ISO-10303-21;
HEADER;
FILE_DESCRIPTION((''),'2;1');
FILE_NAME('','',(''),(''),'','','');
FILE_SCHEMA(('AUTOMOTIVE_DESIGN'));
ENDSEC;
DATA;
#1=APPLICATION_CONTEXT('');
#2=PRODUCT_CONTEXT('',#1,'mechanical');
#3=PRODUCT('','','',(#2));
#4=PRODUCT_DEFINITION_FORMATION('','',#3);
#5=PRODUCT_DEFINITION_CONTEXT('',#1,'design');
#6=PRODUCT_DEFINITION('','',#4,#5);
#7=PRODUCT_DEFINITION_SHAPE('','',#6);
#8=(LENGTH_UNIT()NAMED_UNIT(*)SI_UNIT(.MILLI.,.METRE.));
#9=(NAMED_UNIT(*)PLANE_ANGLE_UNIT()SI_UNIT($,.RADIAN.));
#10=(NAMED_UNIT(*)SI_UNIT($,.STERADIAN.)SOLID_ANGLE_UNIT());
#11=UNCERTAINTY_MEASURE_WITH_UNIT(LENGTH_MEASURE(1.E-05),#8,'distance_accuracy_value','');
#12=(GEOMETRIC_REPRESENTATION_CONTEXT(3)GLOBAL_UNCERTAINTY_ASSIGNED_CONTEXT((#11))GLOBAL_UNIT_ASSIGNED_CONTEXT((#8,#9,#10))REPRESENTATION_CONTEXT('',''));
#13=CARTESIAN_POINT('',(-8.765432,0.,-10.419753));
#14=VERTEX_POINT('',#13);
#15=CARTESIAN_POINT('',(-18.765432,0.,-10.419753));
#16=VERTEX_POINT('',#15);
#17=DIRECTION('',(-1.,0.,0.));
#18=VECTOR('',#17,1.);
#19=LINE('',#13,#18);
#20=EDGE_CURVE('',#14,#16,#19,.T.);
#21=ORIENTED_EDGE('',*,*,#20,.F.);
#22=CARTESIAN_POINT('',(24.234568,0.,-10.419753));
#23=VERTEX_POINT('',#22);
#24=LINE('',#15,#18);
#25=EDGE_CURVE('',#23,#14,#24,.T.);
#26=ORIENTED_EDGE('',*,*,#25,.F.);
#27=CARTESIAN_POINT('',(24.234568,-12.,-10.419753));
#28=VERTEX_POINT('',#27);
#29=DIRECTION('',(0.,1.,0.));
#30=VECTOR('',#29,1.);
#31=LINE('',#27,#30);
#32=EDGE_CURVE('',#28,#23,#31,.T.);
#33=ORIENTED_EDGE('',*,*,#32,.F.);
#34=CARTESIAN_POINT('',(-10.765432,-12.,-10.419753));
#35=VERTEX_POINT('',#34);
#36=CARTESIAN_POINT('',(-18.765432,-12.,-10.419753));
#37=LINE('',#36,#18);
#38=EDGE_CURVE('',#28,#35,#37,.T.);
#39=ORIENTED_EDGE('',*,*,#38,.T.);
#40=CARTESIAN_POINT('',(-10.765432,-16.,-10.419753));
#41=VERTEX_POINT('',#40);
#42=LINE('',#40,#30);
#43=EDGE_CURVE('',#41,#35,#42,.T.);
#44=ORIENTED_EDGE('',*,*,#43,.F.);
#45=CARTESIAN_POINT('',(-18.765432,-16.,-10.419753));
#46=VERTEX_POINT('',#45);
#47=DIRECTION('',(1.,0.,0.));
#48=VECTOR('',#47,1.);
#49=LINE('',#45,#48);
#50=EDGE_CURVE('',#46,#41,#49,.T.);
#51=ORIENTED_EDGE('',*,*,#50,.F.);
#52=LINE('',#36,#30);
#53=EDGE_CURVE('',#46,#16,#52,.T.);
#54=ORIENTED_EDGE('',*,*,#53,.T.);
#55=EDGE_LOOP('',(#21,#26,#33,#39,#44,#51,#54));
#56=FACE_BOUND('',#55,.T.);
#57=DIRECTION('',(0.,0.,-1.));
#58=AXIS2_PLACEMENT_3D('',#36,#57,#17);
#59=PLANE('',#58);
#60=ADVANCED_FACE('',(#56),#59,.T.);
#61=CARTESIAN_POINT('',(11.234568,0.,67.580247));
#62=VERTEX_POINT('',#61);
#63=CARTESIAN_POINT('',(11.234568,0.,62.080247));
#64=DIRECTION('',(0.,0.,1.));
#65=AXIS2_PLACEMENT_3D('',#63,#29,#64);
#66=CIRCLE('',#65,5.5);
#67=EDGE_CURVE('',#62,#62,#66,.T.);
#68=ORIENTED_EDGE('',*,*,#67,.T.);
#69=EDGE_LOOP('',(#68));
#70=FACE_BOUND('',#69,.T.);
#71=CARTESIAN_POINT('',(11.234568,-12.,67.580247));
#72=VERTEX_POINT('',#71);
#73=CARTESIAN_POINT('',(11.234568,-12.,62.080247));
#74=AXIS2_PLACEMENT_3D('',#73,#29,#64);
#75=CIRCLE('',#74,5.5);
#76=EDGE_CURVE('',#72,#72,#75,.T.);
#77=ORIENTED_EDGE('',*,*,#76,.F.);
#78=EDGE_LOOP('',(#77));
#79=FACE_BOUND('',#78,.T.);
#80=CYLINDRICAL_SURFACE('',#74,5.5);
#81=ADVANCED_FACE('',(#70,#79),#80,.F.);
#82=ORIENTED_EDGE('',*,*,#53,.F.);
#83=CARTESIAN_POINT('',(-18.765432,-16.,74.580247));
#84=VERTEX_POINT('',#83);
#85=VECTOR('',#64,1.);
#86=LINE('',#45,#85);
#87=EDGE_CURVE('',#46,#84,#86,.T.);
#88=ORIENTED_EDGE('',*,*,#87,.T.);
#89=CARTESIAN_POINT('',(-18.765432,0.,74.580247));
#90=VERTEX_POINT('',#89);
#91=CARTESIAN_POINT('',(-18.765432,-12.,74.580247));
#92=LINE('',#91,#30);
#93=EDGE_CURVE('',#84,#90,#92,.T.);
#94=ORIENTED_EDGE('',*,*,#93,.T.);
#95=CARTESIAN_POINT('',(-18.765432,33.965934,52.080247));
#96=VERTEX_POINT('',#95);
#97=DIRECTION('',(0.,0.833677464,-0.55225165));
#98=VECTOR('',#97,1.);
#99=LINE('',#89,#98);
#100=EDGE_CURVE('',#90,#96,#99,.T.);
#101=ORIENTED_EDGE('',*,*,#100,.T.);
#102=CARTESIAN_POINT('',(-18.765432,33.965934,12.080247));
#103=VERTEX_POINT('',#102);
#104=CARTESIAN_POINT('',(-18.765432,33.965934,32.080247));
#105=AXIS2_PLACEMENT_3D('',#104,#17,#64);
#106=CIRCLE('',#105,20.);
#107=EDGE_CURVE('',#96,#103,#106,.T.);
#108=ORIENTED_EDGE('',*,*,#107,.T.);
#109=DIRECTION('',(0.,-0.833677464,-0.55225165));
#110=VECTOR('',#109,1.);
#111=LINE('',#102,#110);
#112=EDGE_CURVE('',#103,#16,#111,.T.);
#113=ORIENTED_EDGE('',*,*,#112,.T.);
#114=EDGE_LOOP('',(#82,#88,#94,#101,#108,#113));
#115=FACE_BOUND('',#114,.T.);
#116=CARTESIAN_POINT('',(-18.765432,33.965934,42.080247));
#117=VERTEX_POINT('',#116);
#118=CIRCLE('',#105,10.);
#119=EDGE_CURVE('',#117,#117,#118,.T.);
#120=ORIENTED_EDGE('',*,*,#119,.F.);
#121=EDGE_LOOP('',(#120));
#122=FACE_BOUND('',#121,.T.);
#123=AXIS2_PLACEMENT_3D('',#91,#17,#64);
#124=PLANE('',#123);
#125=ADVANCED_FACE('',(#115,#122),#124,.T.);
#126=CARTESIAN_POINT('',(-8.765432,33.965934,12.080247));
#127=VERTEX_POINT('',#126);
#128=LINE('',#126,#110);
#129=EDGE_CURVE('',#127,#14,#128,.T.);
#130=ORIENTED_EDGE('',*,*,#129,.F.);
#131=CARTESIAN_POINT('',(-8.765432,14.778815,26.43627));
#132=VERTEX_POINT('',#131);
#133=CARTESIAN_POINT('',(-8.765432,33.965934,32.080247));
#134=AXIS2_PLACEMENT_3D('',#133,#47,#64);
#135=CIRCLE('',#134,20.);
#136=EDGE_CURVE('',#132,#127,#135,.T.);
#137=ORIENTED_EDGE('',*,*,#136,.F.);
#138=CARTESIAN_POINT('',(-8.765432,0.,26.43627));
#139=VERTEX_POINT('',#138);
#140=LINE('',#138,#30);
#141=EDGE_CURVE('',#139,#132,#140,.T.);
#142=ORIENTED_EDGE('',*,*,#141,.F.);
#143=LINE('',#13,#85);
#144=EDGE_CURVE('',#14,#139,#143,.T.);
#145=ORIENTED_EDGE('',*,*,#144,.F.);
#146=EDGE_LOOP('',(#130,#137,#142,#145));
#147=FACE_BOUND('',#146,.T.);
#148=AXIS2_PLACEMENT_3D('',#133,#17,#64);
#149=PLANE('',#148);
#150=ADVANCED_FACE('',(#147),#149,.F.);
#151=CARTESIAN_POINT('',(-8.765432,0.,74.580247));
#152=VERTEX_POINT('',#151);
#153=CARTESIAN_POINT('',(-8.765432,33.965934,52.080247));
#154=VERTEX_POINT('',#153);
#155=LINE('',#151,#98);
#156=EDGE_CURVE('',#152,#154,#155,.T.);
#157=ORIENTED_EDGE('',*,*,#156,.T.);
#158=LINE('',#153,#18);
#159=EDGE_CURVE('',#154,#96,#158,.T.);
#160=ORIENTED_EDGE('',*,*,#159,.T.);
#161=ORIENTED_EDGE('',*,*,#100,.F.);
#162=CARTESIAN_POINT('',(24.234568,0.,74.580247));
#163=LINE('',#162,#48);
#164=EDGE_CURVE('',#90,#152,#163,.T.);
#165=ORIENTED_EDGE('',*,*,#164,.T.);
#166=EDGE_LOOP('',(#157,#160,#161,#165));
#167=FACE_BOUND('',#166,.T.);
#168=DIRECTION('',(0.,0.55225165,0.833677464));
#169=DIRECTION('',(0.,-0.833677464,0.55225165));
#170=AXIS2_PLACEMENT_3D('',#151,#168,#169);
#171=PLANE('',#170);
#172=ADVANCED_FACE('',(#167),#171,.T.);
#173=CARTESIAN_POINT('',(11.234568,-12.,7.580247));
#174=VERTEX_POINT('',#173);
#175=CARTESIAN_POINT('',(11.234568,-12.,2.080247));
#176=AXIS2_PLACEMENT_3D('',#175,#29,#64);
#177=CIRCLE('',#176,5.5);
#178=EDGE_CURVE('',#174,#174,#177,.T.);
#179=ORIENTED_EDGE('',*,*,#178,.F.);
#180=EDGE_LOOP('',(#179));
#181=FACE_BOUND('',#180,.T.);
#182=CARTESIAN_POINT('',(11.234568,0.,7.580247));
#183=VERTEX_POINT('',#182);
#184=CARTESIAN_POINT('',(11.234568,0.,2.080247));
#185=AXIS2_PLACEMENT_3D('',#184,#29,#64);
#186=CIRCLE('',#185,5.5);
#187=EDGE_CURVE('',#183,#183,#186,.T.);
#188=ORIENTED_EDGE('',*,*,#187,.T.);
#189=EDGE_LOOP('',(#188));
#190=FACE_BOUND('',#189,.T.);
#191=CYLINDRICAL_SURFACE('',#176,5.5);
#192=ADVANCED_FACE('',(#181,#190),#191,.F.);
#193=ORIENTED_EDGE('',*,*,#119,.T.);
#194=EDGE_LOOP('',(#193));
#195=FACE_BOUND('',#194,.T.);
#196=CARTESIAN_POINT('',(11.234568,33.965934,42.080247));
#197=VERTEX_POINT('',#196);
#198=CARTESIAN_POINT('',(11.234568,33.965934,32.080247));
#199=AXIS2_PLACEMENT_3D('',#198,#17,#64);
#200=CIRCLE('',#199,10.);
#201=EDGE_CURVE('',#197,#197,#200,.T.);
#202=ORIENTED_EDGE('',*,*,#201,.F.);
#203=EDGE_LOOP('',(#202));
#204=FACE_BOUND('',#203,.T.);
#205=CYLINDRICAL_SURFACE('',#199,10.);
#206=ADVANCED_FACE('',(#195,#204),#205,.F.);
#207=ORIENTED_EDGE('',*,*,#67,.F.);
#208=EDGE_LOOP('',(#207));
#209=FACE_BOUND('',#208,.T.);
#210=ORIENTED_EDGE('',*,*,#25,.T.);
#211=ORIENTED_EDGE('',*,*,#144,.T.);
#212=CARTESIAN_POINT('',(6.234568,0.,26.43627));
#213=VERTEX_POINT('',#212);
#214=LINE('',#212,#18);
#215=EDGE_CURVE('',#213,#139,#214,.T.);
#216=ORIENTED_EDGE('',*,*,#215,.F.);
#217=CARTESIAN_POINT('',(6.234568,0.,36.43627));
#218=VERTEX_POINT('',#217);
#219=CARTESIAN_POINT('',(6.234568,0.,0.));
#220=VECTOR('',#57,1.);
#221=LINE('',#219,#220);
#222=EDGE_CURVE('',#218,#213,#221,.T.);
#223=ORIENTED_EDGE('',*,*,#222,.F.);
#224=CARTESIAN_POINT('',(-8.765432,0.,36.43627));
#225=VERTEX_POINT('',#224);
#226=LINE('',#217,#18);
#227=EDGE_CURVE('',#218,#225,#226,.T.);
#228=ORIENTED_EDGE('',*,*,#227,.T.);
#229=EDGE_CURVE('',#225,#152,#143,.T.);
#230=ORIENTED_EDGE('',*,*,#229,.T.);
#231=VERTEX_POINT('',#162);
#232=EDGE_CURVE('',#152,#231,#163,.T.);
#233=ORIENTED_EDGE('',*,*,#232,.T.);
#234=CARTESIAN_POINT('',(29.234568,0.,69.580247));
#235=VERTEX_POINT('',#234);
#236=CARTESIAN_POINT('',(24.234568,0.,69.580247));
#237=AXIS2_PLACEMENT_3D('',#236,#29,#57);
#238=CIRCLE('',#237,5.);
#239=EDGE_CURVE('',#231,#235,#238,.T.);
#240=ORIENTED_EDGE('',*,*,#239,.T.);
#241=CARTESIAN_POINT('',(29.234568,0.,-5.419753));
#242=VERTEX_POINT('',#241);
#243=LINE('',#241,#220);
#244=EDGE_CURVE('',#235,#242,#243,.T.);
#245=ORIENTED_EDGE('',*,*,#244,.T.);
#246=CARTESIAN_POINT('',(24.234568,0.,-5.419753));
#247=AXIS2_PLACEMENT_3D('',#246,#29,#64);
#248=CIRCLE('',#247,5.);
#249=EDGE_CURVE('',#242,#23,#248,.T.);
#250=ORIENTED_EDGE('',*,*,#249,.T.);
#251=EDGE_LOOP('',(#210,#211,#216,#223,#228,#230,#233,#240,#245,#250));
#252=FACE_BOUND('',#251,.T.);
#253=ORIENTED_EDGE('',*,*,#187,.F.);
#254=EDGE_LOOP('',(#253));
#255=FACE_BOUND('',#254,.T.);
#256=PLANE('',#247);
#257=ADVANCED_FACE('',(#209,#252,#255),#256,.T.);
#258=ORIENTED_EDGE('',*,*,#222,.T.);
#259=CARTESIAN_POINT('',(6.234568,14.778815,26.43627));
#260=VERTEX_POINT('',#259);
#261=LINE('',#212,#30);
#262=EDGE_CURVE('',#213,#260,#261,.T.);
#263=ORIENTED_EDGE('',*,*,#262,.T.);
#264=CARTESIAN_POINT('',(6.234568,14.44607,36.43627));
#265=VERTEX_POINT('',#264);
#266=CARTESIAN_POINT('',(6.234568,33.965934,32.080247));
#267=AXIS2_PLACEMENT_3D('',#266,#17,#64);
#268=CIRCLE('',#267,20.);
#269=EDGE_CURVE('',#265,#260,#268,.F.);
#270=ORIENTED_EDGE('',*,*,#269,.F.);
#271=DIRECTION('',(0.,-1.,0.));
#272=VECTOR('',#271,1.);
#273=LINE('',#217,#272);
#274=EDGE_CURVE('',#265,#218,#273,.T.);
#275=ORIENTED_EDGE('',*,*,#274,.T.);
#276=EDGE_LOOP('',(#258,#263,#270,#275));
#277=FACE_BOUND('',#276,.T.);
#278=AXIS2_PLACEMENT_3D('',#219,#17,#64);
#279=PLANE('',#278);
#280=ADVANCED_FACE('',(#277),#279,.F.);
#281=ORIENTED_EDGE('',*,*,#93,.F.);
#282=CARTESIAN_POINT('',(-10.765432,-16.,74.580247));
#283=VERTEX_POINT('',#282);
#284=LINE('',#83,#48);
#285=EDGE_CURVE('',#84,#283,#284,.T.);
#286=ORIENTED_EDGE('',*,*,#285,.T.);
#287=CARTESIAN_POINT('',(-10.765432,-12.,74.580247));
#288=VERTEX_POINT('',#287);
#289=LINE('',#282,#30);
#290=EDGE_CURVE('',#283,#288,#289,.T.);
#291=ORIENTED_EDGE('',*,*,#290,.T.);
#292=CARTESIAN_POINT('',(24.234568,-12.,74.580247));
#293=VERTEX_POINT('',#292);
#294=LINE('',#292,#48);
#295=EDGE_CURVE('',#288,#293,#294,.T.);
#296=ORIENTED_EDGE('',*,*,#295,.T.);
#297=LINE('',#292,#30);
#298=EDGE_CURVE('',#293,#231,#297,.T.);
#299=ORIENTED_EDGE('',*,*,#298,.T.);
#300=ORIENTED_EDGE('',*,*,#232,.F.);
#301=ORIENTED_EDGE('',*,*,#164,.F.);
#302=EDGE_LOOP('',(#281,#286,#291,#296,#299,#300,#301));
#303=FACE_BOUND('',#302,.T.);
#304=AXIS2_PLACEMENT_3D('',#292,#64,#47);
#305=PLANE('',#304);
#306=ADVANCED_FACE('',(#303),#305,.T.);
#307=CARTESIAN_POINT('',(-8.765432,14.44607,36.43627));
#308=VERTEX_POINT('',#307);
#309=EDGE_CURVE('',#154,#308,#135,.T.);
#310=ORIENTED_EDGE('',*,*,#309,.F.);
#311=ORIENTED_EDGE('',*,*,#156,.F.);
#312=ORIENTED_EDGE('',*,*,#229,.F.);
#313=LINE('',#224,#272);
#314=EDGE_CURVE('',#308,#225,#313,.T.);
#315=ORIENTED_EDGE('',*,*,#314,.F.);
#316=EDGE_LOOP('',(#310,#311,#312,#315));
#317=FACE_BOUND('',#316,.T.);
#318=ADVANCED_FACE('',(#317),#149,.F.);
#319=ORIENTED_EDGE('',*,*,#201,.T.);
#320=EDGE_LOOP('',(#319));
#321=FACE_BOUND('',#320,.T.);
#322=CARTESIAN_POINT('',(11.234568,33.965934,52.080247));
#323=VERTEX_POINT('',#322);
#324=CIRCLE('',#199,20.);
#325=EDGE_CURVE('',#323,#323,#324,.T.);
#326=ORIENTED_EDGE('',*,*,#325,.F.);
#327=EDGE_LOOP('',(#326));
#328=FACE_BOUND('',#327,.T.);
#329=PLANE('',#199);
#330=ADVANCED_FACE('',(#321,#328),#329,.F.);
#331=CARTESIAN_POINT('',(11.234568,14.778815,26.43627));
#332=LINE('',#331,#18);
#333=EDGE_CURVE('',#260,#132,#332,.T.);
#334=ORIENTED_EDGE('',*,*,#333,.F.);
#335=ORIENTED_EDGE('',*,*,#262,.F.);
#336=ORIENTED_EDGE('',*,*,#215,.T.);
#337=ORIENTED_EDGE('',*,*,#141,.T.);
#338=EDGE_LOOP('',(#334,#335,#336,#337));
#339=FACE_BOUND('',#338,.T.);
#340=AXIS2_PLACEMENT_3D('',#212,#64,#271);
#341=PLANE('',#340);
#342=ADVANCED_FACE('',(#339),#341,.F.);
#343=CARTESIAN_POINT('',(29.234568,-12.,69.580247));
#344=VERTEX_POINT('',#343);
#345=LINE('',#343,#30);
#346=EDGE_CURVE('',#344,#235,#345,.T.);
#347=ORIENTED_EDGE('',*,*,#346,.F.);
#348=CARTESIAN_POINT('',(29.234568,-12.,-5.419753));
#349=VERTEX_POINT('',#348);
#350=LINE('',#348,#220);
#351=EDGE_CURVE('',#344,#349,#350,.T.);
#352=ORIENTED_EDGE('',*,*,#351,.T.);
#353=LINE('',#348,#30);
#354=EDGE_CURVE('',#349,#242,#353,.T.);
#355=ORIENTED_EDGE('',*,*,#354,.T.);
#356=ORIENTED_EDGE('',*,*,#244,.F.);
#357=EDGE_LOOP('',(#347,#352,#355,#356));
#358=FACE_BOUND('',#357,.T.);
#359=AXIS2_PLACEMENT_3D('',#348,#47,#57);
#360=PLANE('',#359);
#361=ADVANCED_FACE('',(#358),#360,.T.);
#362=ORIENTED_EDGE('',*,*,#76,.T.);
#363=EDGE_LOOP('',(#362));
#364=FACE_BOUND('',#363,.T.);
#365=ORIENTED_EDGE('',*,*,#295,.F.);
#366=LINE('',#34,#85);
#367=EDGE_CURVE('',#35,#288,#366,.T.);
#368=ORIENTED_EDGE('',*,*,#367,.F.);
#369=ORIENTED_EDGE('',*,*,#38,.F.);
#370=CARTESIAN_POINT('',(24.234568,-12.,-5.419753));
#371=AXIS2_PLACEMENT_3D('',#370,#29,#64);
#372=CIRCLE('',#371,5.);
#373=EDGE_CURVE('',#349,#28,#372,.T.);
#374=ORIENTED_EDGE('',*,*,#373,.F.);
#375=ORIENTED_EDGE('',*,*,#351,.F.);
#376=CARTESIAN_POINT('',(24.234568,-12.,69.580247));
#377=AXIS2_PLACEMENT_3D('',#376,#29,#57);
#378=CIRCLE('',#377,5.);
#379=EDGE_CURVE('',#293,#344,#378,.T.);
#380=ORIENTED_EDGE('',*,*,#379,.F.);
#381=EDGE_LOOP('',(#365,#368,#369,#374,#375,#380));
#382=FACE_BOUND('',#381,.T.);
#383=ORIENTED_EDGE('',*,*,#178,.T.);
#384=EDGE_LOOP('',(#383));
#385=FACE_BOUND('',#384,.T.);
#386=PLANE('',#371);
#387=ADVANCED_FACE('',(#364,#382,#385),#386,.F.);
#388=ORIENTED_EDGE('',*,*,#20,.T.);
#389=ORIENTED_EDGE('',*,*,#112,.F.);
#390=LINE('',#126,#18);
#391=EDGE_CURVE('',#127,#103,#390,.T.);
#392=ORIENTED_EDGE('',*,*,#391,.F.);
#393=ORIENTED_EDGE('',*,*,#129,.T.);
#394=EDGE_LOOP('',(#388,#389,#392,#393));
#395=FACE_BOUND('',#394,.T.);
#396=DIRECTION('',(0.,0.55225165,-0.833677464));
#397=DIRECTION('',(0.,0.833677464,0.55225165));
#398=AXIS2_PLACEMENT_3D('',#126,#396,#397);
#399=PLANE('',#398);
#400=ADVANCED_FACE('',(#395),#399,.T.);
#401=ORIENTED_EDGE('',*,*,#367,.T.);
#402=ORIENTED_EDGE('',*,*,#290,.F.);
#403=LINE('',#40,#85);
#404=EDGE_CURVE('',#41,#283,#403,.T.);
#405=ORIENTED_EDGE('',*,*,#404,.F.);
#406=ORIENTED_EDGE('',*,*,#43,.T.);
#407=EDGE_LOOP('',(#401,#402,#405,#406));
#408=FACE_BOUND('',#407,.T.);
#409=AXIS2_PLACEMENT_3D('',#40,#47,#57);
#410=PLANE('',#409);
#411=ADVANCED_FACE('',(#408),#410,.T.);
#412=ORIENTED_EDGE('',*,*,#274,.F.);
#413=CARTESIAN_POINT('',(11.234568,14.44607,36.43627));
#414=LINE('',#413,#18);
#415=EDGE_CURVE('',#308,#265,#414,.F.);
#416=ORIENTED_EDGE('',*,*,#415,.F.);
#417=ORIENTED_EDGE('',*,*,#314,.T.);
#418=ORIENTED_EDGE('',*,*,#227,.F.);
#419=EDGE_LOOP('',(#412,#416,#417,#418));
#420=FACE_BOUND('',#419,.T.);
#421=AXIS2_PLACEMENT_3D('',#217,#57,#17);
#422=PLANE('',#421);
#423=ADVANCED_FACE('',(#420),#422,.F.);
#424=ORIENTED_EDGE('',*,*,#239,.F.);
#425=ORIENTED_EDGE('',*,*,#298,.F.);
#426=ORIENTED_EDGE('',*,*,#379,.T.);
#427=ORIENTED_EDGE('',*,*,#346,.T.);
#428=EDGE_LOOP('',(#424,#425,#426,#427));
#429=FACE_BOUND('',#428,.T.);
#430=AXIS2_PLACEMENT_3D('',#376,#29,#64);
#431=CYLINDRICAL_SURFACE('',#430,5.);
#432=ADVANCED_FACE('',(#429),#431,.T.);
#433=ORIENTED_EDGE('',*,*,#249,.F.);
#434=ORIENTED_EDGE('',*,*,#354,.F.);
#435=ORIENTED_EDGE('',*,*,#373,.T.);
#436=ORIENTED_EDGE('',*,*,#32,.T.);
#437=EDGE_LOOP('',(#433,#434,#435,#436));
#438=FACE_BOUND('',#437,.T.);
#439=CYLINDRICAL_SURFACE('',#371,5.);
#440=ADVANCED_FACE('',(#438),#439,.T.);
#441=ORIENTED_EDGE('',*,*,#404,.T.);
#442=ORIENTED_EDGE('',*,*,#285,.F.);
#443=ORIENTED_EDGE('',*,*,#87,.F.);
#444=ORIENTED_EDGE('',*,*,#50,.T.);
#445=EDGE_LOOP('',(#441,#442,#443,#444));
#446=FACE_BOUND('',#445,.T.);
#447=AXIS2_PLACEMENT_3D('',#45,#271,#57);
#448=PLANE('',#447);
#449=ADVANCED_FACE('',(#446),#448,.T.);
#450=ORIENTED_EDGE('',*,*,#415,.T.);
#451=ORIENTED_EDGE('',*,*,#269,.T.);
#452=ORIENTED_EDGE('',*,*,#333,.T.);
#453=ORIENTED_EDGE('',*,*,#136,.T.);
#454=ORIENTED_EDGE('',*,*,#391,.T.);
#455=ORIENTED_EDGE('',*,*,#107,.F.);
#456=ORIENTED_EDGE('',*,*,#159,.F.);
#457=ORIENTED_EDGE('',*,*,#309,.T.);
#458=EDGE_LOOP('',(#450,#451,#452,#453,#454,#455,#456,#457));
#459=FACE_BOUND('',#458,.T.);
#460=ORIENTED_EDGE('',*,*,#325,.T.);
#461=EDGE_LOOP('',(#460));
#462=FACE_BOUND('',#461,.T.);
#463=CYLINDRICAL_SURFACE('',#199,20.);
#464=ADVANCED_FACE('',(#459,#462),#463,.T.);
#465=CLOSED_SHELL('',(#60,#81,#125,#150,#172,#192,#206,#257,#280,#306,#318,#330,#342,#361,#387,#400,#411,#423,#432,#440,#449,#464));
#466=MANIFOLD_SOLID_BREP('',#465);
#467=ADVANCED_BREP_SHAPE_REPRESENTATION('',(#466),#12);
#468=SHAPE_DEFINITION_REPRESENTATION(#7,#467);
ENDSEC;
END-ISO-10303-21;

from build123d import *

# Parameters (mm, degrees)
BOSS_EXTRUDE1_DEPTH = 12
SKETCH3_R           = 20
SKETCH3_R_2         = 10
BOSS_EXTRUDE2_DEPTH = 30
BOSS_EXTRUDE3_DEPTH = 10
SKETCH5_R           = 5.5
CUT_EXTRUDE1_DEPTH  = 97.587759017
SKETCH6_W           = 8
SKETCH6_H           = 4
BOSS_EXTRUDE4_DEPTH = 85
SKETCH7_W           = 5
SKETCH7_H           = 20.431914742
BOSS_EXTRUDE5_DEPTH = 15


with BuildPart() as part:
    # Sketch2 → Boss-Extrude1 (new body)
    with BuildSketch(Plane(origin=(0, 0, 0), x_dir=(1, 0, 0), z_dir=(0, 1, 0))):
        with BuildLine():
            Line((-18.765432099, -74.580246914), (-18.765432099, 10.419753086))
            Line((-18.765432099, 10.419753086), (24.234567901, 10.419753086))
            ThreePointArc((24.234567901, 10.419753086), (27.770101807, 8.955286992), (29.234567901, 5.419753086))
            Line((29.234567901, 5.419753086), (29.234567901, -69.580246914))
            ThreePointArc((29.234567901, -69.580246914), (27.770101807, -73.11578082), (24.234567901, -74.580246914))
            Line((24.234567901, -74.580246914), (-18.765432099, -74.580246914))
        make_face()
    extrude(amount=-BOSS_EXTRUDE1_DEPTH)



with BuildPart() as body_2:
    # Sketch3 → Boss-Extrude2 (new body)
    with BuildSketch(Plane.ZY.offset(18.765432099)):
        with Locations((32.080246914, 33.965933716)):
            Circle(SKETCH3_R)
        with Locations((32.080246914, 33.965933716)):
            Circle(SKETCH3_R_2, mode=Mode.SUBTRACT)
    extrude(amount=-BOSS_EXTRUDE2_DEPTH)


with BuildPart() as part_1:
    add(part.part)

    add(body_2.part)  # Boss-Extrude3 merges body 2
    # Sketch4 → Boss-Extrude3 (add)
    with BuildSketch(Plane.ZY.offset(18.765432099)):
        with BuildLine():
            Line((12.080246914, 33.965933716), (-10.419753086, 0))
            Line((-10.419753086, 0), (74.580246914, 0))
            Line((74.580246914, 0), (52.080246914, 33.965933716))
            ThreePointArc((52.080246914, 33.965933716), (32.080246914, 13.965933716), (12.080246914, 33.965933716))
        make_face()
    extrude(amount=-BOSS_EXTRUDE3_DEPTH)

    # Sketch5 → Cut-Extrude1 (cut, through all)
    with BuildSketch(Plane(origin=(0, 0, 0), x_dir=(1, 0, 0), z_dir=(0, 1, 0))):
        with Locations(Location((11.234567901, -2.080246914, 0), (0, 0, 270))):
            Circle(SKETCH5_R)
        with Locations(Location((11.234567901, -62.080246914, 0), (0, 0, 270))):
            Circle(SKETCH5_R)
    extrude(amount=-CUT_EXTRUDE1_DEPTH, mode=Mode.SUBTRACT)

    # Sketch6 → Boss-Extrude4 (add)
    with BuildSketch(Plane.XY.offset(74.580246914)):
        with Locations((-14.765432099, -14)):
            Rectangle(SKETCH6_W, SKETCH6_H)
    extrude(amount=-BOSS_EXTRUDE4_DEPTH)

    # Sketch7 → Boss-Extrude5 (add)
    with BuildSketch(Plane.ZY.offset(8.765432099)):
        Polygon((36.436270076, 20.431914742), (31.436270076, 20.431914742), (31.436270076, 0), (36.436270076, 0), (36.436270076, 14.206805316), align=None)
        with Locations((28.936270076, 10.215957371)):
            Rectangle(SKETCH7_W, SKETCH7_H)
    extrude(amount=-BOSS_EXTRUDE5_DEPTH)


solid = part_1.part
